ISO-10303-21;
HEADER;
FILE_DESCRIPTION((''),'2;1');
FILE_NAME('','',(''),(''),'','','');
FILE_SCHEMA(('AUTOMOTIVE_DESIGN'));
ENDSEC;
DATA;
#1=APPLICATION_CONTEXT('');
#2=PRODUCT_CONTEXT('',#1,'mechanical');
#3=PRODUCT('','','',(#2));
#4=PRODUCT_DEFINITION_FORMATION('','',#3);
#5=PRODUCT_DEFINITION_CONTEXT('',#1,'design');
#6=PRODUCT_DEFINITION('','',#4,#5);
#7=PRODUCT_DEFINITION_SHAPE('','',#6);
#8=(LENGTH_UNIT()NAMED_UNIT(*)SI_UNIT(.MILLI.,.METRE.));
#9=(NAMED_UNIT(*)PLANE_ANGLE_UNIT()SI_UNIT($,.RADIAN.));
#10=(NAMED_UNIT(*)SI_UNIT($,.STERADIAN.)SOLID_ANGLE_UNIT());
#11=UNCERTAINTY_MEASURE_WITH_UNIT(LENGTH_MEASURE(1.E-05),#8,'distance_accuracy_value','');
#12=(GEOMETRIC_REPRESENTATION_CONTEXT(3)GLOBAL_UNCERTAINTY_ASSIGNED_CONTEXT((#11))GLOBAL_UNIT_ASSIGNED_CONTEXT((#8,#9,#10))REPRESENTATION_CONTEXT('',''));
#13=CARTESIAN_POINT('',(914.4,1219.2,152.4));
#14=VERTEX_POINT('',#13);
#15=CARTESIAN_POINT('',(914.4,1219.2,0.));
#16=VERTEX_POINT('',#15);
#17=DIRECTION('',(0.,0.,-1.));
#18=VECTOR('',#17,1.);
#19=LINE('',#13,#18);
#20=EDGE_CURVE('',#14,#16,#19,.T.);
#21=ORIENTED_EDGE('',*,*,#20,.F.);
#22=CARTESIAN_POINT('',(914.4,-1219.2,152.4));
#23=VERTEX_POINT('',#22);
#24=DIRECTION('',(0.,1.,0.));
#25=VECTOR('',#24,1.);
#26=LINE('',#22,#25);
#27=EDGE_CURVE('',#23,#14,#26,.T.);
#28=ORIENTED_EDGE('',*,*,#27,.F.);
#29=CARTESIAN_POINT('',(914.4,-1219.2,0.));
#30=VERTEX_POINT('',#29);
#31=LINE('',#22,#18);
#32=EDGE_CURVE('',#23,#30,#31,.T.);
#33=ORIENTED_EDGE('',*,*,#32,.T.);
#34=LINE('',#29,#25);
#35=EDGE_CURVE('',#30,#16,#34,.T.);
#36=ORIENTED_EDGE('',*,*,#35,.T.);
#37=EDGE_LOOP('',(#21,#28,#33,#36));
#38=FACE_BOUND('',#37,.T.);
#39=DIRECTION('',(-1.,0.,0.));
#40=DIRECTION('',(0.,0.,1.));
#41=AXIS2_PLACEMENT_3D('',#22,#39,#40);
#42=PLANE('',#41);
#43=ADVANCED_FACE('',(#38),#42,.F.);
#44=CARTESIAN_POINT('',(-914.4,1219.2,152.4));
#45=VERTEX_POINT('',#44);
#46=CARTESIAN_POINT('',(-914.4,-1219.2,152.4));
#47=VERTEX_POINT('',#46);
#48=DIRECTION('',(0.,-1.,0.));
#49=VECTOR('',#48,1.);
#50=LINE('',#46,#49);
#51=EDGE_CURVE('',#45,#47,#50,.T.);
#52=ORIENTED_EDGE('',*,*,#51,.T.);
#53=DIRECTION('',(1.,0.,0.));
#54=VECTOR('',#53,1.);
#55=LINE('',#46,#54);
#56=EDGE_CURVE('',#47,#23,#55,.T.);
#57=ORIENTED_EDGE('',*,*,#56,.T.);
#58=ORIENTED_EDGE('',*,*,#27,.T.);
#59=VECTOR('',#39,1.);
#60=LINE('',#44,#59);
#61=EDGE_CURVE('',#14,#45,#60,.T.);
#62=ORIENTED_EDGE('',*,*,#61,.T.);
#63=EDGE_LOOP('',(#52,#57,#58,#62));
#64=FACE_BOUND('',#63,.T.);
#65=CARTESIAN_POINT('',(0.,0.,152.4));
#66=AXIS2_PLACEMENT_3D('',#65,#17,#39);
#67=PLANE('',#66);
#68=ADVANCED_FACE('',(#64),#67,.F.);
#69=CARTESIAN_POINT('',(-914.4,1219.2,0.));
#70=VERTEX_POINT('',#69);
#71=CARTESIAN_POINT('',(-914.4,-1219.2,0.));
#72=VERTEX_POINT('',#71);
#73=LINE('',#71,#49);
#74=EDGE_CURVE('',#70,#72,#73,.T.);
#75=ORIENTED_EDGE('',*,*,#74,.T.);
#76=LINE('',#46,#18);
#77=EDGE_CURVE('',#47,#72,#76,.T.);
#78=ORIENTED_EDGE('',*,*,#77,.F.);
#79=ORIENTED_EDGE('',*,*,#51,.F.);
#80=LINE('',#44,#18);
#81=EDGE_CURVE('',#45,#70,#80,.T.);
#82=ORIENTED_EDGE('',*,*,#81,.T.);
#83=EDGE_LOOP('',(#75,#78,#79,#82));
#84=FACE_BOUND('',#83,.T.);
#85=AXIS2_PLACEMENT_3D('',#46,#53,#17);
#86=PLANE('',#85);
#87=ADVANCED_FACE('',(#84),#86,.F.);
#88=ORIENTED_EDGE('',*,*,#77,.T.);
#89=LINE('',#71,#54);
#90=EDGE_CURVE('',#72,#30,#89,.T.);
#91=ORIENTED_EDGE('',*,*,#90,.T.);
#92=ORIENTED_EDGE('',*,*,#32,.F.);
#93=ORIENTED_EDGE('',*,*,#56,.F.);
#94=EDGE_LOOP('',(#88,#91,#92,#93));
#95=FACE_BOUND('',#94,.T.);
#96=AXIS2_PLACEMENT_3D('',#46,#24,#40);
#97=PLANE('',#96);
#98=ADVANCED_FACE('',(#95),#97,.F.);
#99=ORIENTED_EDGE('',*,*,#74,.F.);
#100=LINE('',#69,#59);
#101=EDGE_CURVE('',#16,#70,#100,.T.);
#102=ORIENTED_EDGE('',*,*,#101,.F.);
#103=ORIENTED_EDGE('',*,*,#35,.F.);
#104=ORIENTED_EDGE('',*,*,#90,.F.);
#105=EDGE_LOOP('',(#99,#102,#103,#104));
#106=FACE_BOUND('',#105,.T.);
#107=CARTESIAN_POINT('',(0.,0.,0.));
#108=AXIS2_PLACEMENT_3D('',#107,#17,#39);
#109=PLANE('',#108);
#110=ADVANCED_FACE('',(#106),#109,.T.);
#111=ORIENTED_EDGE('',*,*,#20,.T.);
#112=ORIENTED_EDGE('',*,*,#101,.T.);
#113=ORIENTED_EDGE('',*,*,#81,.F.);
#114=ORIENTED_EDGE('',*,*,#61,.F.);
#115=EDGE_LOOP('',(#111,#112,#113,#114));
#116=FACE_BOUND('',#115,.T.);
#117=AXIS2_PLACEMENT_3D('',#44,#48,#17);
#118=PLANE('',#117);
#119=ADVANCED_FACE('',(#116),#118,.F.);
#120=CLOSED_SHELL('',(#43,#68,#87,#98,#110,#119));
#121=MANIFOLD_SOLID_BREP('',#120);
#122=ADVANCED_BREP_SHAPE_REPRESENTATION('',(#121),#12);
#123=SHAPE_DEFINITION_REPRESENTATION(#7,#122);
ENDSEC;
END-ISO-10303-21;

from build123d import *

# Parameters (mm, degrees)
SKETCH1_W           = 1828.8
SKETCH1_H           = 2438.4
BOSS_EXTRUDE1_DEPTH = 152.4


with BuildPart() as part:
    # Sketch1 → Boss-Extrude1 (new body)
    with BuildSketch(Plane.XY):
        Rectangle(SKETCH1_W, SKETCH1_H)
    extrude(amount=BOSS_EXTRUDE1_DEPTH)


solid = part.part
